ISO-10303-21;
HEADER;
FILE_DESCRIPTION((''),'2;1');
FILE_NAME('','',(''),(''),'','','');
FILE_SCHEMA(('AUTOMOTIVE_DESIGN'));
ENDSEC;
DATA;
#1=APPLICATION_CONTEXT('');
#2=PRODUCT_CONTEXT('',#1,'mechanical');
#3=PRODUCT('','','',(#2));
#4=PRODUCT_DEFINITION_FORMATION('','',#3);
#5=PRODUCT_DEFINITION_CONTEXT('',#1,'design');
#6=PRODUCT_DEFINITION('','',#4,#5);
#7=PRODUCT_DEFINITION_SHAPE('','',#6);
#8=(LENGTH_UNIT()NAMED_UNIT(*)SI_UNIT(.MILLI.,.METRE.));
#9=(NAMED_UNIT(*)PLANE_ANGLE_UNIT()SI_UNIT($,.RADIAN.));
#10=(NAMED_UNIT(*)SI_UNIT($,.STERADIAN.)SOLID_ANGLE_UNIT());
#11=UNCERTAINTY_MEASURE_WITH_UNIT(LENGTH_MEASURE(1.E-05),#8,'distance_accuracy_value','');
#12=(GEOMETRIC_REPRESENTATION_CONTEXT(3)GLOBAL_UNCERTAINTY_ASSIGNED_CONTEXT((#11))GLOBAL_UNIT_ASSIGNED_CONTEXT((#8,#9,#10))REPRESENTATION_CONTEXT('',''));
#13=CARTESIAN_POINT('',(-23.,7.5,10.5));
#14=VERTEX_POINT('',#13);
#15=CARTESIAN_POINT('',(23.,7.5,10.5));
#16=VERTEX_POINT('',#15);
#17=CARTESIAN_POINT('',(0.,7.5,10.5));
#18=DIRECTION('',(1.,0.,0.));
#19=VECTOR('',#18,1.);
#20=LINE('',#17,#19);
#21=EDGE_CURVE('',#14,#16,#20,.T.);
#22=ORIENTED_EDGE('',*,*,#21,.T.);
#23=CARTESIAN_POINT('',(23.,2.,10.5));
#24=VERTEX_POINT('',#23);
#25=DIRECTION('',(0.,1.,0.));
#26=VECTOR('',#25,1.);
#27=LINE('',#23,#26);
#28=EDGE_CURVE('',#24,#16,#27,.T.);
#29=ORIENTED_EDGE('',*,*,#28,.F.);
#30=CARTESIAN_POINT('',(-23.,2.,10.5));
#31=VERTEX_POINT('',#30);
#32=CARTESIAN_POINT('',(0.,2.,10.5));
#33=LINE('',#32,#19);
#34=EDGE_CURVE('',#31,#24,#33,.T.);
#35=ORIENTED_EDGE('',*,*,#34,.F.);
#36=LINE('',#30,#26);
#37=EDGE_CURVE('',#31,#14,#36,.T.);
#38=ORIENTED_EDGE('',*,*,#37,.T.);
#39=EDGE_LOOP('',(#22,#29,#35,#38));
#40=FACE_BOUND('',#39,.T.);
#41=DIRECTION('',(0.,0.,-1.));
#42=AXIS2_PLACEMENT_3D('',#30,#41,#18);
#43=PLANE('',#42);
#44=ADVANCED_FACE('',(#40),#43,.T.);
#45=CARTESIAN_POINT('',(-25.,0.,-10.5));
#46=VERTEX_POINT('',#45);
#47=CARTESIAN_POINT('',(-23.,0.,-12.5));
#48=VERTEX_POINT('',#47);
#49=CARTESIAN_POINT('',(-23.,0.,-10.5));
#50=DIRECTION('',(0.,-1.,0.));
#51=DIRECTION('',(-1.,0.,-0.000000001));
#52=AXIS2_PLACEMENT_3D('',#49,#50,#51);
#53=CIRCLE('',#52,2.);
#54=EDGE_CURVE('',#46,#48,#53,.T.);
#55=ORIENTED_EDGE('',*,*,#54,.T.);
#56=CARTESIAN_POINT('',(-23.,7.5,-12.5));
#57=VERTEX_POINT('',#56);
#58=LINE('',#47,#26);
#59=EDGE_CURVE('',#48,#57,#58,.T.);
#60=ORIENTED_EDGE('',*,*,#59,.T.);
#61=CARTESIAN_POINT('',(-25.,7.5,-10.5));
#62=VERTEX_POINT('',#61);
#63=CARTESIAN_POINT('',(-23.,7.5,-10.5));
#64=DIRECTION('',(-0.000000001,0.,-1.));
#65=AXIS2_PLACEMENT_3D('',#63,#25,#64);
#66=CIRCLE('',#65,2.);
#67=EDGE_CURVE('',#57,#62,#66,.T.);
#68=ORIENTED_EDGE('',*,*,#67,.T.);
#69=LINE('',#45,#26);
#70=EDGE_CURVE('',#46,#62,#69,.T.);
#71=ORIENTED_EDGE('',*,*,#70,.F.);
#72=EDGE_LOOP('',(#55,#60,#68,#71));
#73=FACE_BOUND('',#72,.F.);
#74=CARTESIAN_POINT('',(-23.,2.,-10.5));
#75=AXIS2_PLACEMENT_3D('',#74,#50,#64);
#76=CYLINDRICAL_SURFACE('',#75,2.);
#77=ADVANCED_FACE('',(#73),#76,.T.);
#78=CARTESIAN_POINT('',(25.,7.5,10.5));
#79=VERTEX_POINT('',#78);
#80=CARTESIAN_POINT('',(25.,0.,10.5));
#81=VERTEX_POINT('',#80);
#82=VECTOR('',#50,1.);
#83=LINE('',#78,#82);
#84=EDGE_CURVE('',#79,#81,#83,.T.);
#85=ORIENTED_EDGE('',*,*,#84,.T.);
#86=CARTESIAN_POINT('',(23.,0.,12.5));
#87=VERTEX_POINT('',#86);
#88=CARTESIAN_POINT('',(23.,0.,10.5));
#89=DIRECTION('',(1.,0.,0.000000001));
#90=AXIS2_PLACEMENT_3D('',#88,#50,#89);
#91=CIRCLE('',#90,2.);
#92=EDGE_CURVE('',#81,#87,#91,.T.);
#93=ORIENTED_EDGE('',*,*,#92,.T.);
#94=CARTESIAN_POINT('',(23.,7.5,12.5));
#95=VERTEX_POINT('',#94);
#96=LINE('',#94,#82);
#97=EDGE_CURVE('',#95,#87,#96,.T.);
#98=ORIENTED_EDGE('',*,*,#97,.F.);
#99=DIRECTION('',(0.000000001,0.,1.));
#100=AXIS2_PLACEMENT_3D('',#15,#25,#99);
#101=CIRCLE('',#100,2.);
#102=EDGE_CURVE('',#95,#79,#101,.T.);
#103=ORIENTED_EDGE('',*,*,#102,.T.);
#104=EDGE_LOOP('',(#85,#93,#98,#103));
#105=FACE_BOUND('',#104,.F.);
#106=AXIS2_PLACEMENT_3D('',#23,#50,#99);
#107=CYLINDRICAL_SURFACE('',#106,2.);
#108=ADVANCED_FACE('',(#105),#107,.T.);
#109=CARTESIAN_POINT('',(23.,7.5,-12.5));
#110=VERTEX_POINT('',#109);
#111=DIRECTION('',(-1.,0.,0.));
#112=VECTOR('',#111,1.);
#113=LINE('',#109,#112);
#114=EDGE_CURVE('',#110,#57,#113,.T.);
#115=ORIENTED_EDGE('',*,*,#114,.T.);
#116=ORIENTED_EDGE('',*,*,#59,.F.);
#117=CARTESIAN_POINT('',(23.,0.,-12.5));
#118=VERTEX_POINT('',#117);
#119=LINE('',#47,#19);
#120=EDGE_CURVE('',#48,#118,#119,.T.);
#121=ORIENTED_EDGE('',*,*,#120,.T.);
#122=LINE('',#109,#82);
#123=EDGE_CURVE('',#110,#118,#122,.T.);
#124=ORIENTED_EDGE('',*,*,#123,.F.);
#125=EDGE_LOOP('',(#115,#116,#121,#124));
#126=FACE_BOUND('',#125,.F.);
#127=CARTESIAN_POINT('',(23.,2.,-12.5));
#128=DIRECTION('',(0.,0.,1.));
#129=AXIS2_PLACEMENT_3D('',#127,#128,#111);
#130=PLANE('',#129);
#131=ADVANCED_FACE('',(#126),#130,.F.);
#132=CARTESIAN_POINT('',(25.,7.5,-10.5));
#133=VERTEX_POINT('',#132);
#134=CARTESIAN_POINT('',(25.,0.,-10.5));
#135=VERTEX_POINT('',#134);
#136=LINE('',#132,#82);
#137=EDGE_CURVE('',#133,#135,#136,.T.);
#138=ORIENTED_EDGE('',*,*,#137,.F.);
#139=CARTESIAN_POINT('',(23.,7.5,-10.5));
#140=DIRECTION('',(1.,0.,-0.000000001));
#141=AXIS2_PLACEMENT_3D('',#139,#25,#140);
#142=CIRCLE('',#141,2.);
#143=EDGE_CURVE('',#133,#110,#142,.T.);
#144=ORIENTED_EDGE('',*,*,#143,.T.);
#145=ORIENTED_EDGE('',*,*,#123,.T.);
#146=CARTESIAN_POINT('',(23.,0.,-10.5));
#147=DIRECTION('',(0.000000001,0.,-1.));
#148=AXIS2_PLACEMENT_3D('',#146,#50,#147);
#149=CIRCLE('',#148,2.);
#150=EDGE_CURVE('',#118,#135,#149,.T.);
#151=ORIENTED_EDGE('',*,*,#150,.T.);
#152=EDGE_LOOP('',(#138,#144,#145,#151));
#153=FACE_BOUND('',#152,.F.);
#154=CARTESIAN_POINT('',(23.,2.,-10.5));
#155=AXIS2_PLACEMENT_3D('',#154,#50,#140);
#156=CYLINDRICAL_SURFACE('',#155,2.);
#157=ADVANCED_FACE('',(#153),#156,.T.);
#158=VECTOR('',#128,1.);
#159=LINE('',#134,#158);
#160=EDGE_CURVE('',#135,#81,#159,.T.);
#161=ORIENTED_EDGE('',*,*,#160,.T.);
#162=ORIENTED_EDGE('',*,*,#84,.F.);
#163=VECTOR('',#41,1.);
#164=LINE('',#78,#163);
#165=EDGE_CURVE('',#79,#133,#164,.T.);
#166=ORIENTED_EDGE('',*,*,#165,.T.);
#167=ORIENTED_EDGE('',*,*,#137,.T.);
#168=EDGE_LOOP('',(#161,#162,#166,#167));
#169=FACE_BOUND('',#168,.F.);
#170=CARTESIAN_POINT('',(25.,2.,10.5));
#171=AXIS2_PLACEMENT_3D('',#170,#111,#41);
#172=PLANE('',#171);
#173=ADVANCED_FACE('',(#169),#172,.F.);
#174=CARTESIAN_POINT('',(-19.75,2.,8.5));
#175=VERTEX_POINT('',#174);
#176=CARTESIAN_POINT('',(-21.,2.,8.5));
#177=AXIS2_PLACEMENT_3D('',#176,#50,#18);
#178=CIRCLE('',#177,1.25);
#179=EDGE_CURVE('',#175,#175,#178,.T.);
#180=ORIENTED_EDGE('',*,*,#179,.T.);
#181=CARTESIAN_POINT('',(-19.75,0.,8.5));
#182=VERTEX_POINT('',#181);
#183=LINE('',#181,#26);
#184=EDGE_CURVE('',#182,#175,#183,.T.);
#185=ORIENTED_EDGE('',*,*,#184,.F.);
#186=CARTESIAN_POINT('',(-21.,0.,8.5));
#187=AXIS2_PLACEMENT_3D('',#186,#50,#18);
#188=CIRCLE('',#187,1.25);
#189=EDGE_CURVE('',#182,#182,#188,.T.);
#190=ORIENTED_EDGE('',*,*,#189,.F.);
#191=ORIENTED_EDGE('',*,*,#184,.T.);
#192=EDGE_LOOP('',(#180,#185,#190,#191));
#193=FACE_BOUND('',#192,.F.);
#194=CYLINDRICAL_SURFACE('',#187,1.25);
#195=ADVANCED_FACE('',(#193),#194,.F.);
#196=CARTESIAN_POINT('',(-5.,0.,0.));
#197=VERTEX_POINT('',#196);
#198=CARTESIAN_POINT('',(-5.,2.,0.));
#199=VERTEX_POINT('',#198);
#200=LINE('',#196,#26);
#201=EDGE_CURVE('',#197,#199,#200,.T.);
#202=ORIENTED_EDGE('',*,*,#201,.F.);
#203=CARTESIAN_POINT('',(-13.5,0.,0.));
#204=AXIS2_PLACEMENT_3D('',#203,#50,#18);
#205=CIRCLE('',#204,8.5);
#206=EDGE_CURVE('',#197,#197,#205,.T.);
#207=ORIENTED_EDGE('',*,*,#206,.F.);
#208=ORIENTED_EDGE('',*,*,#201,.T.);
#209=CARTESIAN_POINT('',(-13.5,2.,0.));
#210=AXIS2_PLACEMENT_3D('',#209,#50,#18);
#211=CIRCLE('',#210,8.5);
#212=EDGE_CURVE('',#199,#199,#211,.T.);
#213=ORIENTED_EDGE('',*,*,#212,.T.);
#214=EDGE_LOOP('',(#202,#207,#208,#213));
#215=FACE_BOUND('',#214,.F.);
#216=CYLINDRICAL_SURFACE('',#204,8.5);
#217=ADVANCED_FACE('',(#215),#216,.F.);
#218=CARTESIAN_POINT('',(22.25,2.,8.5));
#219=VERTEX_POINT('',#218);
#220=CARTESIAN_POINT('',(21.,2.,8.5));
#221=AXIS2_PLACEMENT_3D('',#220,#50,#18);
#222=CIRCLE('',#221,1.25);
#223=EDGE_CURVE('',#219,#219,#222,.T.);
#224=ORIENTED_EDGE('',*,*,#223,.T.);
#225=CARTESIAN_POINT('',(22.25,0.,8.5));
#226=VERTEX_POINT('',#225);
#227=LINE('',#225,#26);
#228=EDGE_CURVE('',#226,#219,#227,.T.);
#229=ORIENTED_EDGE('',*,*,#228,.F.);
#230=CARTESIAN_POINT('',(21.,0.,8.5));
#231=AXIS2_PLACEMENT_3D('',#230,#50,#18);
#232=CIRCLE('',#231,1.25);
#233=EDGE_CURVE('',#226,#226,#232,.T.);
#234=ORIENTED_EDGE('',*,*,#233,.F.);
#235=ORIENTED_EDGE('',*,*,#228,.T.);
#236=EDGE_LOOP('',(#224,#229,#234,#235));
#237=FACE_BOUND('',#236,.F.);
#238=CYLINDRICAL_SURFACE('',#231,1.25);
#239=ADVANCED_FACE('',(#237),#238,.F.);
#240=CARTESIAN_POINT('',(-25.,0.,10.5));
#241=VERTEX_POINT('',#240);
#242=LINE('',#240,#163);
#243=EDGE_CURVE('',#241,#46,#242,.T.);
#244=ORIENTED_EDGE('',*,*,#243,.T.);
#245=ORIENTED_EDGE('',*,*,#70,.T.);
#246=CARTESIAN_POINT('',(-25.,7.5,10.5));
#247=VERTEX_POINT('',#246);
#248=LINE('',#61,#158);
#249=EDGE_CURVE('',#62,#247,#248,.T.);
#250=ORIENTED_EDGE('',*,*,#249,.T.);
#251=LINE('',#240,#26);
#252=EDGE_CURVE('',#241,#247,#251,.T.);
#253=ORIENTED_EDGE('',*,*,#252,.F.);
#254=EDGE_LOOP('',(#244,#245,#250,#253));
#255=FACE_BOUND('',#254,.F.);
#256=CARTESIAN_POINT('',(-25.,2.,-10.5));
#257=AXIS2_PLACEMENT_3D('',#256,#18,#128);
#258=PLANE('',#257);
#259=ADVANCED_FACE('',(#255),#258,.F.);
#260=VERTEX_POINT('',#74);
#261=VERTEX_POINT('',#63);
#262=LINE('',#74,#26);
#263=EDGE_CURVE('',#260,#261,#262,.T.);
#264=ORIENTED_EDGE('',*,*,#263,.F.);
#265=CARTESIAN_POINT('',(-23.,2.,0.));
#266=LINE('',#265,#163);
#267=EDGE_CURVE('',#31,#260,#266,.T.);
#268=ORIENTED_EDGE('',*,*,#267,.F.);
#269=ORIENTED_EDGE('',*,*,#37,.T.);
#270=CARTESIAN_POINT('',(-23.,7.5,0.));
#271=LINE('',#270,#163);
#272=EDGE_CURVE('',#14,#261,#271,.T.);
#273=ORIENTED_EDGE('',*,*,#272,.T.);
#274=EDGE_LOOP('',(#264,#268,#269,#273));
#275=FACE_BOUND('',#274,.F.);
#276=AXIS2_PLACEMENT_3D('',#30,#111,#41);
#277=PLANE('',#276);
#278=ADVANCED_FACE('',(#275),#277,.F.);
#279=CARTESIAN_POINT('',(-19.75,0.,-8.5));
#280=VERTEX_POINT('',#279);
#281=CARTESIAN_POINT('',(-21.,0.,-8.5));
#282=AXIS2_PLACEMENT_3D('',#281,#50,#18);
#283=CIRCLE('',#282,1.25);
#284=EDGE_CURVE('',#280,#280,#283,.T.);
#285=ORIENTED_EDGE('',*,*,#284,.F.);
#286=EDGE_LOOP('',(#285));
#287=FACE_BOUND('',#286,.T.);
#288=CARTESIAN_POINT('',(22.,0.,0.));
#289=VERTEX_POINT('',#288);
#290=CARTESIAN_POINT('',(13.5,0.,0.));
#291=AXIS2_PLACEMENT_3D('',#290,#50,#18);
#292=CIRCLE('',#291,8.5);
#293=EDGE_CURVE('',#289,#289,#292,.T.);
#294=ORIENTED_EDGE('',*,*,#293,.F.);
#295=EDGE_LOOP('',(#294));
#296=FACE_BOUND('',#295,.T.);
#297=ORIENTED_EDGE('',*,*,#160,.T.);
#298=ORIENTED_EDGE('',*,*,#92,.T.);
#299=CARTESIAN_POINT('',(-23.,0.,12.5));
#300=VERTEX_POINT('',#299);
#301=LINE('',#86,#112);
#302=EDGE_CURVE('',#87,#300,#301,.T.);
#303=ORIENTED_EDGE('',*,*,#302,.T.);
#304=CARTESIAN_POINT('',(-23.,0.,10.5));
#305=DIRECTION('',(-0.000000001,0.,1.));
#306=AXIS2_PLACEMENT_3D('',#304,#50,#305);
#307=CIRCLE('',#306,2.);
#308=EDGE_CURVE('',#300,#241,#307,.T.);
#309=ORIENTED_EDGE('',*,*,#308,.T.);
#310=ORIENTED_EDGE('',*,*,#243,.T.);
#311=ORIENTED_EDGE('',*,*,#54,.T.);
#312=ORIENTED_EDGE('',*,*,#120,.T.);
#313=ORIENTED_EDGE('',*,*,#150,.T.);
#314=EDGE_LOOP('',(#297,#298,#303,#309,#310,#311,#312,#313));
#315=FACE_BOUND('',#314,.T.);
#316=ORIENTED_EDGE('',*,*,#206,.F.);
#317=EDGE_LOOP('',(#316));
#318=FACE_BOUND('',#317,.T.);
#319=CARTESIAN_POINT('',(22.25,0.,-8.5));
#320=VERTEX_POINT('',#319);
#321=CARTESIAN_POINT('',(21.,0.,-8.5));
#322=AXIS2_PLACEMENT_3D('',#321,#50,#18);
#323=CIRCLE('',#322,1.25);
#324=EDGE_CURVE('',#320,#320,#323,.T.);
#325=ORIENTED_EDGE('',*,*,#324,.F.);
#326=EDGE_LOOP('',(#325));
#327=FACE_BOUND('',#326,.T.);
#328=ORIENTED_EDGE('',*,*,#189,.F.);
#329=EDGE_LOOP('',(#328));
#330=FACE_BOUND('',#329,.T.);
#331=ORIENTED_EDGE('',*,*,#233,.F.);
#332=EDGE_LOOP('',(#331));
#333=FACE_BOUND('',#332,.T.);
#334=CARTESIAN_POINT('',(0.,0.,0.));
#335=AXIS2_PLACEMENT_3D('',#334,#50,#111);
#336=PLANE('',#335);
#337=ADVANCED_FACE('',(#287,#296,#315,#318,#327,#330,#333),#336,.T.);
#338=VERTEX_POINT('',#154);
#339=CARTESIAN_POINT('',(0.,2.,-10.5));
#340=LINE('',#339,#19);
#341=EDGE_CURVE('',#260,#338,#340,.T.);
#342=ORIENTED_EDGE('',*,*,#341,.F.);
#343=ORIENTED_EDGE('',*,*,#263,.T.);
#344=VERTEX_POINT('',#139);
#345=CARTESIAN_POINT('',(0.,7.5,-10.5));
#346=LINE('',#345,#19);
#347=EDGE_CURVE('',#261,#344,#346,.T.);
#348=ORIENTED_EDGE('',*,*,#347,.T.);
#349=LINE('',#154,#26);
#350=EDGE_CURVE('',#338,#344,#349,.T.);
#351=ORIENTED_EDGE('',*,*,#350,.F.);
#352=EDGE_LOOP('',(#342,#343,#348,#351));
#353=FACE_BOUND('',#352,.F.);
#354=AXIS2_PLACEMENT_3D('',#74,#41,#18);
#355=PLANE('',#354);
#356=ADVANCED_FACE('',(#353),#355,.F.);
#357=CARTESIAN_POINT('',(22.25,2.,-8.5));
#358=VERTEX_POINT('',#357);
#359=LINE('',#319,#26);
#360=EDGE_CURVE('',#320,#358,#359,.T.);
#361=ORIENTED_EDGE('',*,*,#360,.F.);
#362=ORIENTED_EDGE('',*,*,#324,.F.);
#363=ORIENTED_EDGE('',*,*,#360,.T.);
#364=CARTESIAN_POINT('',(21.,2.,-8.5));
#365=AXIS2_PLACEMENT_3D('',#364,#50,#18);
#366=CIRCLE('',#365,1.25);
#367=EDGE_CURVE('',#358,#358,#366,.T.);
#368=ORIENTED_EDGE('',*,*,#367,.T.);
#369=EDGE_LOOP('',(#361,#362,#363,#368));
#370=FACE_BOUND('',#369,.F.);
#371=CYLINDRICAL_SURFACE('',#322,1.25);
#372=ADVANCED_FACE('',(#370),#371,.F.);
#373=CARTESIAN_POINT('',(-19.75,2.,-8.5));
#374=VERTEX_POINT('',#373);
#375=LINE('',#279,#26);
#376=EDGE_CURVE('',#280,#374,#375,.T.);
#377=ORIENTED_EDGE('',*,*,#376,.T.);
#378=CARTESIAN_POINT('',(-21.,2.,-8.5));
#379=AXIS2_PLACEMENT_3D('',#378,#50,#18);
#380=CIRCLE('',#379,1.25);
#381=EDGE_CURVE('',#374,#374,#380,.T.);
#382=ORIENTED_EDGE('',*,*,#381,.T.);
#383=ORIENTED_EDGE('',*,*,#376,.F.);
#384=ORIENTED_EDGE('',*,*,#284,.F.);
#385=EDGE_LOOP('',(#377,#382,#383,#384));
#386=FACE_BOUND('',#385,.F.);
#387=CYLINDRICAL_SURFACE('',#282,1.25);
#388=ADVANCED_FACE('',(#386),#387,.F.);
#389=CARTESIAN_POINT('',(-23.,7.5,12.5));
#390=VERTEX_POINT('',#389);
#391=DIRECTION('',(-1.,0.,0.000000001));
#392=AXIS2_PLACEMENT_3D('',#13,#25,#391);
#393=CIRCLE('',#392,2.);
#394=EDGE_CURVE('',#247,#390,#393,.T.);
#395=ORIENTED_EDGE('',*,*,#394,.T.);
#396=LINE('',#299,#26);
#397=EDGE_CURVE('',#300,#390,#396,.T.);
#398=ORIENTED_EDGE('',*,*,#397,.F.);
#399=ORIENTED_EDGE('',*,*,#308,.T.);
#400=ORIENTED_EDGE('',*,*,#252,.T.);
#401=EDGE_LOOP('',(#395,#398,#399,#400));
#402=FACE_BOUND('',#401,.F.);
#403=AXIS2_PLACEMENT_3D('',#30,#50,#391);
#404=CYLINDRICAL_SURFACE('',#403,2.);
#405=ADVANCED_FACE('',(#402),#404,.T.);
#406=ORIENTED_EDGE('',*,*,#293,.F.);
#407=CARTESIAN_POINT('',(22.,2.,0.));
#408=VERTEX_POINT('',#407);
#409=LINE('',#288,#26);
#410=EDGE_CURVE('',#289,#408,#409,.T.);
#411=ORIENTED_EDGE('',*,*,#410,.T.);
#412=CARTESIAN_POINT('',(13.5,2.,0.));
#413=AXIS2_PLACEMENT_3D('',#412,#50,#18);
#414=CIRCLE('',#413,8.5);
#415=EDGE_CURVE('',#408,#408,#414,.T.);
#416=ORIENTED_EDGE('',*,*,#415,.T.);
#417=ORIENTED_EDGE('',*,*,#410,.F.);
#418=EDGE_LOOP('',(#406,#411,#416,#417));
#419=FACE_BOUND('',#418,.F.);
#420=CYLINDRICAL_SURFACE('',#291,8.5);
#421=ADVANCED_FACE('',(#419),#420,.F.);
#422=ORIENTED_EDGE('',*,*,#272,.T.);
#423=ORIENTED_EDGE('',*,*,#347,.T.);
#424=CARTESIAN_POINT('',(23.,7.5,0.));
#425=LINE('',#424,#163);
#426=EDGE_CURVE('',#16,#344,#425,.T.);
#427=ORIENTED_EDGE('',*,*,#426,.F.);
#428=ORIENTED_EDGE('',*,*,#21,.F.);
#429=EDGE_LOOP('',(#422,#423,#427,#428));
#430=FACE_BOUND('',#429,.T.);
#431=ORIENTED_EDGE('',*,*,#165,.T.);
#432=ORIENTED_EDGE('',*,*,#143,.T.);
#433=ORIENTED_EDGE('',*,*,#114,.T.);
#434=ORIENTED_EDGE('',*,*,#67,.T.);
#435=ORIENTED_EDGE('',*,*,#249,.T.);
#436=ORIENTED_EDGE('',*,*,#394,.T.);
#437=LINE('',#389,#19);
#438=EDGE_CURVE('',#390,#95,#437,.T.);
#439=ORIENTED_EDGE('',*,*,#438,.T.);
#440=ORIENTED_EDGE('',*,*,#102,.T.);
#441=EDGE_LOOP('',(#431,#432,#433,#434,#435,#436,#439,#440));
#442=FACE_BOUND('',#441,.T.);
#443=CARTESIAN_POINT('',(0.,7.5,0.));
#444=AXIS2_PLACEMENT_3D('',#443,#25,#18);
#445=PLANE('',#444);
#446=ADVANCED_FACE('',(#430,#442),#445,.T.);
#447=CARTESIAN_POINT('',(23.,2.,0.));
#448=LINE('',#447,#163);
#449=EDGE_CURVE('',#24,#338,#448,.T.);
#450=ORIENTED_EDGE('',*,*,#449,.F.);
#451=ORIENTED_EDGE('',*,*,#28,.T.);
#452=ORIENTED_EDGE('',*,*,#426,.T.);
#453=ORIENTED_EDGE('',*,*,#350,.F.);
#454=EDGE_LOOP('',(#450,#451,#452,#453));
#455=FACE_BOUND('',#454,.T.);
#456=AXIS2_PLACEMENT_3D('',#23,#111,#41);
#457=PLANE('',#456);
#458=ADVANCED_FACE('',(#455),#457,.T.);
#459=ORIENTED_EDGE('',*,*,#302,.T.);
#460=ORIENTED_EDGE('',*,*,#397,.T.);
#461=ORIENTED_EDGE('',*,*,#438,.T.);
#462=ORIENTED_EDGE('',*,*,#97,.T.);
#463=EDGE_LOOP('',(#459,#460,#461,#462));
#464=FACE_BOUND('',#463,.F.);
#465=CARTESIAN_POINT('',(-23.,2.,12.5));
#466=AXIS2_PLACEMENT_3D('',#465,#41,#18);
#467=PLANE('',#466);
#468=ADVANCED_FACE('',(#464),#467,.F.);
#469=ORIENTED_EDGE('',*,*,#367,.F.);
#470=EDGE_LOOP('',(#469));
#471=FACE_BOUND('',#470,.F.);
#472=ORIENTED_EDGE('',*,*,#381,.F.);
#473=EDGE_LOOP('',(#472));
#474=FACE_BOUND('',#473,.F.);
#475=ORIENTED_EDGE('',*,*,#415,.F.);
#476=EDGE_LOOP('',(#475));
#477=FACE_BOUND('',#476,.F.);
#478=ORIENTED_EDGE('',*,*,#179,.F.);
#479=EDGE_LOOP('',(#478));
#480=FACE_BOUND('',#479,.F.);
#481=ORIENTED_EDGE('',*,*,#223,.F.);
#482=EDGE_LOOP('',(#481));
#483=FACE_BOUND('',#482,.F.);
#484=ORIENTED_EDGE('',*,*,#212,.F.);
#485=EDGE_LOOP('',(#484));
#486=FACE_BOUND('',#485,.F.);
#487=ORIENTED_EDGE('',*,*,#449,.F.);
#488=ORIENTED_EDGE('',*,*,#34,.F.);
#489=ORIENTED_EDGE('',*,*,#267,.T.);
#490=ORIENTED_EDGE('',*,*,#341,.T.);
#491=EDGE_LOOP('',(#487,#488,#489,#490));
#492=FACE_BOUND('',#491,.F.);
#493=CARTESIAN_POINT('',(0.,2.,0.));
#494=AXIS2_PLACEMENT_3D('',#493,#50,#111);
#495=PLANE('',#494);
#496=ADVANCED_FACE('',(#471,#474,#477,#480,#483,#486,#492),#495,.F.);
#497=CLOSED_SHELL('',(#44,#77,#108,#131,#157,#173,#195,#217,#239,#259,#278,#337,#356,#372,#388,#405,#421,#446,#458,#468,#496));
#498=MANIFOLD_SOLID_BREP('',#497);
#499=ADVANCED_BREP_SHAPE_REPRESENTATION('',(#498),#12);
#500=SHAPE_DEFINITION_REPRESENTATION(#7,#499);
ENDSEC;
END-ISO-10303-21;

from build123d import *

# Parameters (mm, degrees)
EXTRUDE_1_DEPTH     = 2
SKETCH_2_W          = 46
SKETCH_2_H          = 21
EXTRUDE_2_DEPTH     = 5.5
SKETCH_3_R          = 1.25
CUT_EXTRUDE_1_DEPTH = 8.5
SKETCH_4_R          = 8.5
CUT_EXTRUDE_2_DEPTH = 8.5


with BuildPart() as part:
    # 草图1 → 凸台-拉伸1 (new body)
    with BuildSketch(Plane(origin=(0, 0, 0), x_dir=(1, 0, 0), z_dir=(0, 1, 0))):
        with BuildLine():
            Line((-23, 12.5), (23, 12.5))
            ThreePointArc((23, 12.5), (24.414213562, 11.914213562), (25, 10.5))
            Line((25, 10.5), (25, -10.5))
            ThreePointArc((25, -10.5), (24.414213562, -11.914213562), (23, -12.5))
            Line((23, -12.5), (-23, -12.5))
            ThreePointArc((-23, -12.5), (-24.414213562, -11.914213562), (-25, -10.5))
            Line((-25, -10.5), (-25, 10.5))
            ThreePointArc((-25, 10.5), (-24.414213562, 11.914213562), (-23, 12.5))
        make_face()
    extrude(amount=EXTRUDE_1_DEPTH)

    # 草图2 → 凸台-拉伸2 (add)
    with BuildSketch(Plane(origin=(0, 2, 0), x_dir=(1, 0, 0), z_dir=(0, 1, 0))):
        with BuildLine():
            Line((23, 12.5), (-23, 12.5))
            ThreePointArc((-23, 12.5), (-24.414213562, 11.914213562), (-25, 10.5))
            Line((-25, 10.5), (-25, -10.5))
            ThreePointArc((-25, -10.5), (-24.414213562, -11.914213562), (-23, -12.5))
            Line((-23, -12.5), (23, -12.5))
            ThreePointArc((23, -12.5), (24.414213562, -11.914213562), (25, -10.5))
            Line((25, -10.5), (25, 10.5))
            ThreePointArc((25, 10.5), (24.414213562, 11.914213562), (23, 12.5))
        make_face()
        Rectangle(SKETCH_2_W, SKETCH_2_H, mode=Mode.SUBTRACT)
    extrude(amount=EXTRUDE_2_DEPTH)

    # 草图3 → 切除-拉伸1 (cut, through all)
    with BuildSketch(Plane.XZ):
        with Locations((-21, 8.5)):
            Circle(SKETCH_3_R)
        with Locations((-21, -8.5)):
            Circle(SKETCH_3_R)
        with Locations((21, 8.5)):
            Circle(SKETCH_3_R)
        with Locations((21, -8.5)):
            Circle(SKETCH_3_R)
    extrude(amount=-CUT_EXTRUDE_1_DEPTH, mode=Mode.SUBTRACT)

    # 草图4 → 切除-拉伸2 (cut, through all)
    with BuildSketch(Plane.XZ):
        with Locations((-13.5, 0)):
            Circle(SKETCH_4_R)
        with Locations((13.5, 0)):
            Circle(SKETCH_4_R)
    extrude(amount=-CUT_EXTRUDE_2_DEPTH, mode=Mode.SUBTRACT)


solid = part.part
